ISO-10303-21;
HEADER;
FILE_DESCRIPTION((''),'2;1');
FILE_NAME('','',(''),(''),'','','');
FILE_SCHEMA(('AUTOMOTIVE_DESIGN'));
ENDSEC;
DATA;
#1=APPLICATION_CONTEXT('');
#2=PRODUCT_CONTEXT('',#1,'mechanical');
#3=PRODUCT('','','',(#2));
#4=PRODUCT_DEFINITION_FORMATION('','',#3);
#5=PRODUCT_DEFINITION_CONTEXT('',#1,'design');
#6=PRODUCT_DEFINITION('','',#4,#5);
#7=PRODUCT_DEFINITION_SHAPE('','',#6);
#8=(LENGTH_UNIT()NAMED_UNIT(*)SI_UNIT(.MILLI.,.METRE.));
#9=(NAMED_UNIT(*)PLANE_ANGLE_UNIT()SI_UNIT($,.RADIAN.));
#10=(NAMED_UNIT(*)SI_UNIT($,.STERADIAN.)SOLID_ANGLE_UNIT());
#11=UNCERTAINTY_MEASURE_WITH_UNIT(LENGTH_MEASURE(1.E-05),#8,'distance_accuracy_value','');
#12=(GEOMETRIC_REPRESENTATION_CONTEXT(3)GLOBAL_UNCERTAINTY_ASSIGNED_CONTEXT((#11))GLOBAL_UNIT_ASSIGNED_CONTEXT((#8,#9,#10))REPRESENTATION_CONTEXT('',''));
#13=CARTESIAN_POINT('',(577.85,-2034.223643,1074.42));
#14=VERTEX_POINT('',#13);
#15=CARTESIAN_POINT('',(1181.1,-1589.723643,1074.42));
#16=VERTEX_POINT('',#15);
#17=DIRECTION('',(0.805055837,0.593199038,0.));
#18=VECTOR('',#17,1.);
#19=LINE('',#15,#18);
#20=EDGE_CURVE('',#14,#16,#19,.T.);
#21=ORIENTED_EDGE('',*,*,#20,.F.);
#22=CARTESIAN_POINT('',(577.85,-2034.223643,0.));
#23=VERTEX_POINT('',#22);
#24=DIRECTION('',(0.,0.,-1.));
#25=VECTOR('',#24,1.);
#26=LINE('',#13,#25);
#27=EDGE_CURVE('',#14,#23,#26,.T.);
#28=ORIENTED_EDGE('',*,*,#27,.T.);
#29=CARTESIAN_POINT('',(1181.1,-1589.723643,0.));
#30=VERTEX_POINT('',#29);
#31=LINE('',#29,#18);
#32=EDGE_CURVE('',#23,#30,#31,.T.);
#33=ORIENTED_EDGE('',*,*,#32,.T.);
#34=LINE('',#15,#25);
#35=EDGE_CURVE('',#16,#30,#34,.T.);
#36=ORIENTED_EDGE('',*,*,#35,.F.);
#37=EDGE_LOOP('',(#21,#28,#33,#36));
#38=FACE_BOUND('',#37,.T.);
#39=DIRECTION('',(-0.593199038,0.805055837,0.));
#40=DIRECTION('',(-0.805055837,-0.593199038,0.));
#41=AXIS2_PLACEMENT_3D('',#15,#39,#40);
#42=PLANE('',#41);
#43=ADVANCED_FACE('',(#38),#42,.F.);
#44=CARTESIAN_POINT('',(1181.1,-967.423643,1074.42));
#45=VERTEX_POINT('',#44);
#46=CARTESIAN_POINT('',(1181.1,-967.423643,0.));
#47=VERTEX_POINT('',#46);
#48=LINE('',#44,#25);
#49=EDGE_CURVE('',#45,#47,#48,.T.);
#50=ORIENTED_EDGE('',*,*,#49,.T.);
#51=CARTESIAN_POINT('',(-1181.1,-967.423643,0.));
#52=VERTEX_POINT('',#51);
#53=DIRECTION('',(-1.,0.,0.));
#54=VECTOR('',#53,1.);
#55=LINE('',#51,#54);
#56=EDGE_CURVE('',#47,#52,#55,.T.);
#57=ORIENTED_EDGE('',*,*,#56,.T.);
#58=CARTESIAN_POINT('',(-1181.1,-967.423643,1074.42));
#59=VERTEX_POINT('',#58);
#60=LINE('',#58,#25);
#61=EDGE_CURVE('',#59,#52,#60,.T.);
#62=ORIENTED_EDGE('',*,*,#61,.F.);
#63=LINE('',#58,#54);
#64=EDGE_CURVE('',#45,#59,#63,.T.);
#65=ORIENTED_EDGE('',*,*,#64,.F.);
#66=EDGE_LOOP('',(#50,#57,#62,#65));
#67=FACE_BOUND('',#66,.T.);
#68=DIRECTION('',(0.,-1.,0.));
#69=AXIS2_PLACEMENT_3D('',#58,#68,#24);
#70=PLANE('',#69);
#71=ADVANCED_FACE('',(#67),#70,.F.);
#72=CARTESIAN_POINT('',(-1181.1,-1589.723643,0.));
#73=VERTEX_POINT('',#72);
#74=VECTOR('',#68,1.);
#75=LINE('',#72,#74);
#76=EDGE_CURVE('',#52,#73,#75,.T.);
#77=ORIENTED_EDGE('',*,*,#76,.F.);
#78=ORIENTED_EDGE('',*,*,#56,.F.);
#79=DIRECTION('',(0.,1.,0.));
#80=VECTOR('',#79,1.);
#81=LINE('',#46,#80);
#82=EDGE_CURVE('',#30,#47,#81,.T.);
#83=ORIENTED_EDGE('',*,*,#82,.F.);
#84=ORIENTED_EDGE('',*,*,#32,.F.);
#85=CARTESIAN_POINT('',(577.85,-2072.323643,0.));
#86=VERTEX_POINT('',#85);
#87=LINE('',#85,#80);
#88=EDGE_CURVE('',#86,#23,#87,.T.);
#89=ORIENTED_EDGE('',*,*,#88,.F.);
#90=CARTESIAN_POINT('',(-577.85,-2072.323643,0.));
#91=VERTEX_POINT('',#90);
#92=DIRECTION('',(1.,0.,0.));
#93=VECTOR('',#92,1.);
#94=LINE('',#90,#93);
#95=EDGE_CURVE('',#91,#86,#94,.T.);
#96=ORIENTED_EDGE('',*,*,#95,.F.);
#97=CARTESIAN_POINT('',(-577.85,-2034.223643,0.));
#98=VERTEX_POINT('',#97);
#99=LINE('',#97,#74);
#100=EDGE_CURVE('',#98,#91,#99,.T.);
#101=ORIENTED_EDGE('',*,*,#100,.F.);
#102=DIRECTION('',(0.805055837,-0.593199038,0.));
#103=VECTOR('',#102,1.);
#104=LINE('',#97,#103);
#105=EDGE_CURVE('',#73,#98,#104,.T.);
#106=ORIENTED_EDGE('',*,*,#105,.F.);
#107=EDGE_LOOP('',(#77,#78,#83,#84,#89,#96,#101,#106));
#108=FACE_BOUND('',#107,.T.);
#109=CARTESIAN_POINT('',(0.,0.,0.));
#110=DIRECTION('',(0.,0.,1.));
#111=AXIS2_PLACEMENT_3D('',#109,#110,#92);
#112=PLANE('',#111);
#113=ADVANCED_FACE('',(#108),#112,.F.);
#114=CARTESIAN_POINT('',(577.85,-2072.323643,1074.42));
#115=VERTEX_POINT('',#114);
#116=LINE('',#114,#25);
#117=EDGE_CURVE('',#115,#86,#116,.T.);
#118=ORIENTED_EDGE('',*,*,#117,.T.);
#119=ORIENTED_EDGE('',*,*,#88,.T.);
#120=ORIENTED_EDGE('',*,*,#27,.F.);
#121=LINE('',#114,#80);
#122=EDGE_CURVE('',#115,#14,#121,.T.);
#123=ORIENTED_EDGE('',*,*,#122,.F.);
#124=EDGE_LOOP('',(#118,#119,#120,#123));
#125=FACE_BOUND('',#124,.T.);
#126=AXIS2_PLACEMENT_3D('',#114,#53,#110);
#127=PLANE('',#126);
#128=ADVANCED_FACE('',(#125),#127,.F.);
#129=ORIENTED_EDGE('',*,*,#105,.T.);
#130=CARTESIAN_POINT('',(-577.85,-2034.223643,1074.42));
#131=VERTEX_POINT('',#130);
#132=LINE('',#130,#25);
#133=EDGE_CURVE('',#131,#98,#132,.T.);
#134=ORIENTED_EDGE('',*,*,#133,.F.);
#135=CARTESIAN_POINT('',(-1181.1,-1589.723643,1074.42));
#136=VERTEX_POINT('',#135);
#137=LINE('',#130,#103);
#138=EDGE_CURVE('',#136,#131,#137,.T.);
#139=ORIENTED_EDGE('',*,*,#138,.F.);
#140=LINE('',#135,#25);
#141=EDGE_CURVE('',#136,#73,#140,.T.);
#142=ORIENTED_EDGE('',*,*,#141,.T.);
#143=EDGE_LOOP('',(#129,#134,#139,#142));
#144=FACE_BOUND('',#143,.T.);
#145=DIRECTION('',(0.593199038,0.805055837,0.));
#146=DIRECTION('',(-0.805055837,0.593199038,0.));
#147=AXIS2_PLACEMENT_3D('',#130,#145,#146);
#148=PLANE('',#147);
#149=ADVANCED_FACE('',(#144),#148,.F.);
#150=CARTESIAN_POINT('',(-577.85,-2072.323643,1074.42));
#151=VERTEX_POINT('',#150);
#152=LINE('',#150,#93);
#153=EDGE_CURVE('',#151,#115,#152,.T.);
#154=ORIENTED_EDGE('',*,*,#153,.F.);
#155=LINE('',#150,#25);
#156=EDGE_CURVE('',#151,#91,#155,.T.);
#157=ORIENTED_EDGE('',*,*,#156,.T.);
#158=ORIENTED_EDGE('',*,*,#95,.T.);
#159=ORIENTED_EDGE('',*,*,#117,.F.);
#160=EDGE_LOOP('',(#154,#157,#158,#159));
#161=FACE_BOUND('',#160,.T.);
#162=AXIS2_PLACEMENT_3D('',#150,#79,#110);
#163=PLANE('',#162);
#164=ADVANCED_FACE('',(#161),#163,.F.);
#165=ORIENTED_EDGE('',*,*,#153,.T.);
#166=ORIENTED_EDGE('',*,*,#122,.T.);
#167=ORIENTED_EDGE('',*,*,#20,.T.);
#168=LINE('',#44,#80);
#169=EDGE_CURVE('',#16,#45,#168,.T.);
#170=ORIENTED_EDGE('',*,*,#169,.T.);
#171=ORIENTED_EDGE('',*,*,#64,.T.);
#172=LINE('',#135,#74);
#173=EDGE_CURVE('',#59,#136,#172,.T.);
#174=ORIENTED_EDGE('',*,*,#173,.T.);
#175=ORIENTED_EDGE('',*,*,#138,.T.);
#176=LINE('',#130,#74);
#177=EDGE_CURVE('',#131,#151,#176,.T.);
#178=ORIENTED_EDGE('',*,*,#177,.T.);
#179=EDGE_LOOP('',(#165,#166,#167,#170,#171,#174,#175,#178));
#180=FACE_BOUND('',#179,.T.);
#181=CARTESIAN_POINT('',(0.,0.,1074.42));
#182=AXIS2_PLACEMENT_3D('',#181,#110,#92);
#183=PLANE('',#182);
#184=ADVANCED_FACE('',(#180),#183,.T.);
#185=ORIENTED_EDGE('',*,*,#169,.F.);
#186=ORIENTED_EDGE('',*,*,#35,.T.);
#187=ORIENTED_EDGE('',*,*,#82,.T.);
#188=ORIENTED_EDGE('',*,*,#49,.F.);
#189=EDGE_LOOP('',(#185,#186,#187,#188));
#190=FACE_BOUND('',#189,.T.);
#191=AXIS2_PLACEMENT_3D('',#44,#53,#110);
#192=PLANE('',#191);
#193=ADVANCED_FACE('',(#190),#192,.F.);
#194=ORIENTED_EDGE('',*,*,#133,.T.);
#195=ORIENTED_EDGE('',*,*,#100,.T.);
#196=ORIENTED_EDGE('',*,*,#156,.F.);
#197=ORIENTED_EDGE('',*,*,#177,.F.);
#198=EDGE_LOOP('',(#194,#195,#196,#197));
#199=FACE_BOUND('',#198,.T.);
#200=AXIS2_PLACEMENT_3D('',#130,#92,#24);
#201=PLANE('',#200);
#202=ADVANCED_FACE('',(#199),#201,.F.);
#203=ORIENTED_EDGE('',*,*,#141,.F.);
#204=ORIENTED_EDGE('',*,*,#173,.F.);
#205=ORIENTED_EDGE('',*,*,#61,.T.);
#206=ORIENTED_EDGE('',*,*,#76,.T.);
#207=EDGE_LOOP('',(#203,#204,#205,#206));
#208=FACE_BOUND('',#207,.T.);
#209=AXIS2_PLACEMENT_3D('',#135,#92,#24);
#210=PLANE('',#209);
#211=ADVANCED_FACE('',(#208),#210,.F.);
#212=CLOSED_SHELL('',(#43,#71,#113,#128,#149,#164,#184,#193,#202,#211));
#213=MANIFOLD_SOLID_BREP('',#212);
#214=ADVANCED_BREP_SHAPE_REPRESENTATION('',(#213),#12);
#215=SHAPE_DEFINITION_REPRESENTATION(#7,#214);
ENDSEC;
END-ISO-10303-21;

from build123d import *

# Parameters (mm, degrees)
BOSS_EXTRUDE1_DEPTH = 1074.42


with BuildPart() as part:
    # Sketch1 → Boss-Extrude1 (new body)
    with BuildSketch(Plane.XY):
        Polygon((-577.85, -2072.323643136), (577.85, -2072.323643136), (577.85, -2034.223643136), (1181.1, -1589.723643136), (1181.1, -967.423643136), (-1181.1, -967.423643136), (-1181.1, -1589.723643136), (-577.85, -2034.223643136), align=None)
    extrude(amount=BOSS_EXTRUDE1_DEPTH)


solid = part.part
